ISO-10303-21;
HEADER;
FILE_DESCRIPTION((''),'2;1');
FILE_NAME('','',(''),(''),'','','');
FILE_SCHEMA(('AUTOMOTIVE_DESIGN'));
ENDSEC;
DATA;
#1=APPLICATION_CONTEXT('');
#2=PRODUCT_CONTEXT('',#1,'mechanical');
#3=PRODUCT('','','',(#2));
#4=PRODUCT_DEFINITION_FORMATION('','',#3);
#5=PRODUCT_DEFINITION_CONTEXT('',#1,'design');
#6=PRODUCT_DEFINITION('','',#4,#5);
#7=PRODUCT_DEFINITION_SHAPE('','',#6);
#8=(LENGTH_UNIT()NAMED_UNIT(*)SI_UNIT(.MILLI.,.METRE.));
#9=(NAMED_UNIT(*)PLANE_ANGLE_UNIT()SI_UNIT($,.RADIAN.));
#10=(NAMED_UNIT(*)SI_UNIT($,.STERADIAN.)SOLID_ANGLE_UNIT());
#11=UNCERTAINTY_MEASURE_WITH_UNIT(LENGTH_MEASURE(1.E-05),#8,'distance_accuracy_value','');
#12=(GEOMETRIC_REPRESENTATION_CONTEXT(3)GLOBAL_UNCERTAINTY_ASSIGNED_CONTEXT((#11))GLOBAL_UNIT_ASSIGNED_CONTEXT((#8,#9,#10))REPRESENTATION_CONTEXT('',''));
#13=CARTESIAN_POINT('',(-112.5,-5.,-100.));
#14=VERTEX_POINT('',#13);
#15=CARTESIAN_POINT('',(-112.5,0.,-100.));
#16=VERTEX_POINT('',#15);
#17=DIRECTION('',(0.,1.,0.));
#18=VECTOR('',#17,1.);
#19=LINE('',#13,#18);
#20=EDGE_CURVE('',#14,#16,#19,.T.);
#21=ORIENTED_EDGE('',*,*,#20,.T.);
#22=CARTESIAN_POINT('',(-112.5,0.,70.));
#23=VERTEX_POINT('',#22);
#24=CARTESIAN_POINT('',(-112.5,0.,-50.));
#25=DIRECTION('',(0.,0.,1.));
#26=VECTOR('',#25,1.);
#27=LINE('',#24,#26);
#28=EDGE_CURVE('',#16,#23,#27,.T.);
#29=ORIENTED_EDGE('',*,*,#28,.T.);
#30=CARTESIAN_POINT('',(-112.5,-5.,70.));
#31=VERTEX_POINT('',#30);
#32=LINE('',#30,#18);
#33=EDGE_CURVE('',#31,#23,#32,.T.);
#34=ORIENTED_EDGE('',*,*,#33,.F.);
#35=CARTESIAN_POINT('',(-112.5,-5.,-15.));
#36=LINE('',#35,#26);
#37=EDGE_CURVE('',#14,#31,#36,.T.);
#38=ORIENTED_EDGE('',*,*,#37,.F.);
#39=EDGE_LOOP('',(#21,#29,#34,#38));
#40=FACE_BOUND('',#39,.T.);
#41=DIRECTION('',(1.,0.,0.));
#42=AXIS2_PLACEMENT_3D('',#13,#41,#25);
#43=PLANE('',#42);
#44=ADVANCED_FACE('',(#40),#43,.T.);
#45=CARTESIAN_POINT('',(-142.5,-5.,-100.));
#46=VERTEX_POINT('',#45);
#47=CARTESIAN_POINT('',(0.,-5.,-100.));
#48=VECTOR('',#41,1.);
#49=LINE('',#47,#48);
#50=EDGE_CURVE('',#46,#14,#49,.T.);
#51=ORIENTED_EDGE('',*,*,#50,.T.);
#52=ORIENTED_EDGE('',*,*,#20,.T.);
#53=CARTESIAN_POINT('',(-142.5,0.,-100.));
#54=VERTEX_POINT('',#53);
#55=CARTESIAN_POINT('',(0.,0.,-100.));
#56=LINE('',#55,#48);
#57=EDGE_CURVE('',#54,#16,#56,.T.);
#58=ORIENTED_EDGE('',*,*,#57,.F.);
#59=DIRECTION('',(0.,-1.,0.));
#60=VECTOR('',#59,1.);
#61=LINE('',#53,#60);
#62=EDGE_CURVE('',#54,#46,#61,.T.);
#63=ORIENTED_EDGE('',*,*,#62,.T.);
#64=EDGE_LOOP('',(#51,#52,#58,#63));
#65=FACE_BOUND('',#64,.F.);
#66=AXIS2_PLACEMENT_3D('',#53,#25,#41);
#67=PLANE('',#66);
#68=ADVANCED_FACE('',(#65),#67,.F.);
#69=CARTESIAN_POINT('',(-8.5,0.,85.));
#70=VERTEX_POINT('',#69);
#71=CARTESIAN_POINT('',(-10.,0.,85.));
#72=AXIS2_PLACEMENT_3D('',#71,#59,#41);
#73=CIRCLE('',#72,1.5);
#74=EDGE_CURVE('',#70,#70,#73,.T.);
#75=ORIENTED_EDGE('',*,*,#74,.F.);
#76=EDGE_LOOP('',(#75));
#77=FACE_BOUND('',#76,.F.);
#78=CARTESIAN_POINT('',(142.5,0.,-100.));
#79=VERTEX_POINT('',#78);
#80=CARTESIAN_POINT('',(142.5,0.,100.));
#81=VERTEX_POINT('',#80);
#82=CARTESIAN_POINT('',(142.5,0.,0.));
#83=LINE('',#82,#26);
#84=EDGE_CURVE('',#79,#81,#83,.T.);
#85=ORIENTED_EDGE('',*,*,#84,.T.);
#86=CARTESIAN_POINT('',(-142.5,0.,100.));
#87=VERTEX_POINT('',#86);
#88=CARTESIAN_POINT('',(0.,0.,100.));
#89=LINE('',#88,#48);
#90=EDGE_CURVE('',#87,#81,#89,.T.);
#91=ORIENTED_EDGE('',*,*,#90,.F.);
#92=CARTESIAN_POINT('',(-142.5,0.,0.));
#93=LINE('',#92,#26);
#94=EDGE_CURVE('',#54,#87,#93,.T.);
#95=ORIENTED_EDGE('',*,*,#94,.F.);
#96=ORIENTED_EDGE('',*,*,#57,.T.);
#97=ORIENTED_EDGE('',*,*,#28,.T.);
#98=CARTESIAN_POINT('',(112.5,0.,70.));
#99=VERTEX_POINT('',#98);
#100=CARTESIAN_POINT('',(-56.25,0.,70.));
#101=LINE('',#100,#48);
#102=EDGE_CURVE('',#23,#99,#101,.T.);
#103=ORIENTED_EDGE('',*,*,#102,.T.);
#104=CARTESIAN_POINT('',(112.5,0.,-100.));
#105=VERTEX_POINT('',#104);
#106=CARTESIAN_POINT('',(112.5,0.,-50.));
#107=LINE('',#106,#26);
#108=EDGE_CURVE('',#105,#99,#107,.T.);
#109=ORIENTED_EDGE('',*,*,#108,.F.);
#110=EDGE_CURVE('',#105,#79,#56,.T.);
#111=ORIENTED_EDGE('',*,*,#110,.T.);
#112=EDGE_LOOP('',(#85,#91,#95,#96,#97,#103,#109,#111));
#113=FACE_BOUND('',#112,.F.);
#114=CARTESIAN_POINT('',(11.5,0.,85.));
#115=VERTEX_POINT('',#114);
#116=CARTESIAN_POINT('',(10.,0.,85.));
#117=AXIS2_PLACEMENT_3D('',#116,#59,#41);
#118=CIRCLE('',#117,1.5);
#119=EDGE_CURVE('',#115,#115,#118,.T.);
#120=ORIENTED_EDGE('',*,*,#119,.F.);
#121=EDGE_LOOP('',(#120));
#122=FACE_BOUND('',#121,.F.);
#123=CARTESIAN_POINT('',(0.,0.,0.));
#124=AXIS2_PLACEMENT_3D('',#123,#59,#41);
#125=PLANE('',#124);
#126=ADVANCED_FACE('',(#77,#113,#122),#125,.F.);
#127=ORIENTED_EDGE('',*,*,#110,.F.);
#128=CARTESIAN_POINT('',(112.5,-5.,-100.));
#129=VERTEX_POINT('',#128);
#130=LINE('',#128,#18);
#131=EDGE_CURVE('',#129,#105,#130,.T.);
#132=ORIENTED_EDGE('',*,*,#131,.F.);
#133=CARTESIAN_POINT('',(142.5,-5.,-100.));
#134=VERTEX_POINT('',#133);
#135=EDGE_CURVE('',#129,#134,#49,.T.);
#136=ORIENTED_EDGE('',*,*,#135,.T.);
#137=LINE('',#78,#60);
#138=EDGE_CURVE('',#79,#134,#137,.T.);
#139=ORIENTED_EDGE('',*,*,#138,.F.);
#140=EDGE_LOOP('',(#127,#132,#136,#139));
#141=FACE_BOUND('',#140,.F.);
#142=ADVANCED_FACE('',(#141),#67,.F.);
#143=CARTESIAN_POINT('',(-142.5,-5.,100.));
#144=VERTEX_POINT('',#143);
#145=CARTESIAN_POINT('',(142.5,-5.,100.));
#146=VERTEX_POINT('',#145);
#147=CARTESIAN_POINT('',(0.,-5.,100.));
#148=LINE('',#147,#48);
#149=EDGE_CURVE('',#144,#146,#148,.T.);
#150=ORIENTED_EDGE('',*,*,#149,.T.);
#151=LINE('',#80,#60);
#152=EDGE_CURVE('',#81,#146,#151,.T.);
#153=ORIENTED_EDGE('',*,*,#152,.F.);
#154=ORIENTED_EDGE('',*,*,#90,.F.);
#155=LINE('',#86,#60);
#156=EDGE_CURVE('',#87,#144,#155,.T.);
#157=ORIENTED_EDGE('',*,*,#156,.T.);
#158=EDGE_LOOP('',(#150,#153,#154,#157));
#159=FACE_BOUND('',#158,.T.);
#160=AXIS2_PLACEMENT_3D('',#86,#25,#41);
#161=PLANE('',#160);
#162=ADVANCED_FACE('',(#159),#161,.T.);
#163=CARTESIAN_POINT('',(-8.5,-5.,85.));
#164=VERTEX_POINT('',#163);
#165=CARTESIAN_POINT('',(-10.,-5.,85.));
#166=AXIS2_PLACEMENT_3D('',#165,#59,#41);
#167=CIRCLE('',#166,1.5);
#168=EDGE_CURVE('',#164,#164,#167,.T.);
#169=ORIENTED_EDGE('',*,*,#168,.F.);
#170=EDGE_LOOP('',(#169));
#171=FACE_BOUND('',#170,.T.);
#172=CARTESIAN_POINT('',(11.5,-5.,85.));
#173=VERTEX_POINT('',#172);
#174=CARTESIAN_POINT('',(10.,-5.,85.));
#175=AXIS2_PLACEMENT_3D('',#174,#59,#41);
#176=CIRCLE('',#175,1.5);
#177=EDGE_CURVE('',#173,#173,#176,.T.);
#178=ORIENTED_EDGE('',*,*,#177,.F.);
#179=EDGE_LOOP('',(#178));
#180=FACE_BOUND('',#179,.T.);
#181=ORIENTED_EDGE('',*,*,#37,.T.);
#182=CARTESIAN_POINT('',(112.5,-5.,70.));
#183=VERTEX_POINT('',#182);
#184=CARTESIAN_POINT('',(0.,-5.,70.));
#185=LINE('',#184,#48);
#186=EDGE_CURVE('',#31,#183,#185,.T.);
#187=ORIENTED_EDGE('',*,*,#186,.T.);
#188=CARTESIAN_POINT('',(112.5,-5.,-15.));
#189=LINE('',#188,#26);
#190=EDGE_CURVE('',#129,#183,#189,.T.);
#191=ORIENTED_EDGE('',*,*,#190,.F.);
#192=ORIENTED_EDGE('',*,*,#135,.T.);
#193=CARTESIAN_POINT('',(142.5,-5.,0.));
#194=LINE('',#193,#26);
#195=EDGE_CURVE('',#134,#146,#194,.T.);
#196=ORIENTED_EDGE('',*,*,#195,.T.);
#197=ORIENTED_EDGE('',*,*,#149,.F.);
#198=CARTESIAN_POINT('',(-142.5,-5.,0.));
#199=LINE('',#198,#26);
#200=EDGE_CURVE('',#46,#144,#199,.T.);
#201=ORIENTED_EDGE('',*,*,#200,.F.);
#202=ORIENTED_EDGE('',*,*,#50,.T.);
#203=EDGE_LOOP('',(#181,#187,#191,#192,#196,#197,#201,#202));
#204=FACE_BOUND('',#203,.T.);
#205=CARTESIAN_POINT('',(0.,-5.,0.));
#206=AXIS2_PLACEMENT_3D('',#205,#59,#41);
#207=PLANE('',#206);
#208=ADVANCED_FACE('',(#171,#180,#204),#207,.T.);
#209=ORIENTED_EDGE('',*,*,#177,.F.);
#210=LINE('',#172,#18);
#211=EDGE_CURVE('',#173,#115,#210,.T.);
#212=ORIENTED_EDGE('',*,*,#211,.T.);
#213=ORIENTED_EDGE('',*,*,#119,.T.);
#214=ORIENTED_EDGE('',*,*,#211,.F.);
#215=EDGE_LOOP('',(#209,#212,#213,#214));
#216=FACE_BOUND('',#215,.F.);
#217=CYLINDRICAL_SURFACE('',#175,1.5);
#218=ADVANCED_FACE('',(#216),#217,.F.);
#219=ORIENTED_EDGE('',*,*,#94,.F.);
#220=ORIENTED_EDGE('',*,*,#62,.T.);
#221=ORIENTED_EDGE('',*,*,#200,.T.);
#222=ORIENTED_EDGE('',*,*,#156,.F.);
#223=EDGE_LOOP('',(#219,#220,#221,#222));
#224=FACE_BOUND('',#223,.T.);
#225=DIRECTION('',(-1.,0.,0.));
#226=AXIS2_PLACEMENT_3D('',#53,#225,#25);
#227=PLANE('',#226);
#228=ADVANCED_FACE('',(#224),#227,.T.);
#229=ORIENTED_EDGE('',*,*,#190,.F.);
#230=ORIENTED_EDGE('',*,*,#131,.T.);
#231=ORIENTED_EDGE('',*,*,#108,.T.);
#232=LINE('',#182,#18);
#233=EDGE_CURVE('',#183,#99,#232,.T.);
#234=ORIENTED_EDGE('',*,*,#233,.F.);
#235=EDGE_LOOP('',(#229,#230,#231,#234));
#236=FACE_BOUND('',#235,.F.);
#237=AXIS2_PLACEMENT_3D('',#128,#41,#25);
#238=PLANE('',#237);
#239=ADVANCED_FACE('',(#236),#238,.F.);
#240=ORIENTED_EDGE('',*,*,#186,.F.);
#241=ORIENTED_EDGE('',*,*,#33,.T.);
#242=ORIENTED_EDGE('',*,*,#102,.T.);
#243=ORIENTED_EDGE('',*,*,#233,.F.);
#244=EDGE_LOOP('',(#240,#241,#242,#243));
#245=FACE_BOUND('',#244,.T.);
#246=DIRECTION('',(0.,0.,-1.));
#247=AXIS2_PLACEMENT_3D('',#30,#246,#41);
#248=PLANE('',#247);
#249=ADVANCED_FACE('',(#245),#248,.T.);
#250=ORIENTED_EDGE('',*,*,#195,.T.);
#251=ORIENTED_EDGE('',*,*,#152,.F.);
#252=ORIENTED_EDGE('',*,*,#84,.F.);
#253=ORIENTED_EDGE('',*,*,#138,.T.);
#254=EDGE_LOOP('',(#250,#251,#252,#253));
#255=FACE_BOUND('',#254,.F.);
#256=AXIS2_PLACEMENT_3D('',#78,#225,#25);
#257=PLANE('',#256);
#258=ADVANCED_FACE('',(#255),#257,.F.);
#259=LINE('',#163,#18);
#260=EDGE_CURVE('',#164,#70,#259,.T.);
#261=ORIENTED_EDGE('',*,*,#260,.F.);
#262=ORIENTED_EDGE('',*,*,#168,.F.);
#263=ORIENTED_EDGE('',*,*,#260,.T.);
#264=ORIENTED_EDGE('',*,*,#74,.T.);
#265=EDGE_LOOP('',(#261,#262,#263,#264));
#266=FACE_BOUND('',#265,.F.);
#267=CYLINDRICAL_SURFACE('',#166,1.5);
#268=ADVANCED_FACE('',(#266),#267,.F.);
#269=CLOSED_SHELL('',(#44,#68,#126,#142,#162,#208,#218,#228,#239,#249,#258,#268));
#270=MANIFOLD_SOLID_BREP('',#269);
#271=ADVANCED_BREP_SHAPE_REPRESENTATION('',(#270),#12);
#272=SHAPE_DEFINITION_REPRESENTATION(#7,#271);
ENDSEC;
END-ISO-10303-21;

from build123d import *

# Parameters (mm, degrees)
F0_W     = 285
F0_H     = 200
F1_DEPTH = 5
F2_W     = 225
F2_H     = 170
F3_DEPTH = 25
F4_R     = 1.5
F5_DEPTH = 25


with BuildPart() as f1:
    # F0 (on Front) → F1 (new body)
    with BuildSketch(Plane.XZ):
        Rectangle(F0_W, F0_H)
    extrude(amount=F1_DEPTH)

    # F2 (on face) → F3 (cut)
    with BuildSketch(Plane.XZ.offset(5)):
        with Locations((0, -15)):
            Rectangle(F2_W, F2_H)
    extrude(amount=-F3_DEPTH, mode=Mode.SUBTRACT)

    # F4 (on face) → F5 (cut)
    with BuildSketch(Plane.XZ.offset(5)):
        with Locations((-10, 85)):
            Circle(F4_R)
        with Locations((10, 85)):
            Circle(F4_R)
    extrude(amount=-F5_DEPTH, mode=Mode.SUBTRACT)


solid = f1.part
